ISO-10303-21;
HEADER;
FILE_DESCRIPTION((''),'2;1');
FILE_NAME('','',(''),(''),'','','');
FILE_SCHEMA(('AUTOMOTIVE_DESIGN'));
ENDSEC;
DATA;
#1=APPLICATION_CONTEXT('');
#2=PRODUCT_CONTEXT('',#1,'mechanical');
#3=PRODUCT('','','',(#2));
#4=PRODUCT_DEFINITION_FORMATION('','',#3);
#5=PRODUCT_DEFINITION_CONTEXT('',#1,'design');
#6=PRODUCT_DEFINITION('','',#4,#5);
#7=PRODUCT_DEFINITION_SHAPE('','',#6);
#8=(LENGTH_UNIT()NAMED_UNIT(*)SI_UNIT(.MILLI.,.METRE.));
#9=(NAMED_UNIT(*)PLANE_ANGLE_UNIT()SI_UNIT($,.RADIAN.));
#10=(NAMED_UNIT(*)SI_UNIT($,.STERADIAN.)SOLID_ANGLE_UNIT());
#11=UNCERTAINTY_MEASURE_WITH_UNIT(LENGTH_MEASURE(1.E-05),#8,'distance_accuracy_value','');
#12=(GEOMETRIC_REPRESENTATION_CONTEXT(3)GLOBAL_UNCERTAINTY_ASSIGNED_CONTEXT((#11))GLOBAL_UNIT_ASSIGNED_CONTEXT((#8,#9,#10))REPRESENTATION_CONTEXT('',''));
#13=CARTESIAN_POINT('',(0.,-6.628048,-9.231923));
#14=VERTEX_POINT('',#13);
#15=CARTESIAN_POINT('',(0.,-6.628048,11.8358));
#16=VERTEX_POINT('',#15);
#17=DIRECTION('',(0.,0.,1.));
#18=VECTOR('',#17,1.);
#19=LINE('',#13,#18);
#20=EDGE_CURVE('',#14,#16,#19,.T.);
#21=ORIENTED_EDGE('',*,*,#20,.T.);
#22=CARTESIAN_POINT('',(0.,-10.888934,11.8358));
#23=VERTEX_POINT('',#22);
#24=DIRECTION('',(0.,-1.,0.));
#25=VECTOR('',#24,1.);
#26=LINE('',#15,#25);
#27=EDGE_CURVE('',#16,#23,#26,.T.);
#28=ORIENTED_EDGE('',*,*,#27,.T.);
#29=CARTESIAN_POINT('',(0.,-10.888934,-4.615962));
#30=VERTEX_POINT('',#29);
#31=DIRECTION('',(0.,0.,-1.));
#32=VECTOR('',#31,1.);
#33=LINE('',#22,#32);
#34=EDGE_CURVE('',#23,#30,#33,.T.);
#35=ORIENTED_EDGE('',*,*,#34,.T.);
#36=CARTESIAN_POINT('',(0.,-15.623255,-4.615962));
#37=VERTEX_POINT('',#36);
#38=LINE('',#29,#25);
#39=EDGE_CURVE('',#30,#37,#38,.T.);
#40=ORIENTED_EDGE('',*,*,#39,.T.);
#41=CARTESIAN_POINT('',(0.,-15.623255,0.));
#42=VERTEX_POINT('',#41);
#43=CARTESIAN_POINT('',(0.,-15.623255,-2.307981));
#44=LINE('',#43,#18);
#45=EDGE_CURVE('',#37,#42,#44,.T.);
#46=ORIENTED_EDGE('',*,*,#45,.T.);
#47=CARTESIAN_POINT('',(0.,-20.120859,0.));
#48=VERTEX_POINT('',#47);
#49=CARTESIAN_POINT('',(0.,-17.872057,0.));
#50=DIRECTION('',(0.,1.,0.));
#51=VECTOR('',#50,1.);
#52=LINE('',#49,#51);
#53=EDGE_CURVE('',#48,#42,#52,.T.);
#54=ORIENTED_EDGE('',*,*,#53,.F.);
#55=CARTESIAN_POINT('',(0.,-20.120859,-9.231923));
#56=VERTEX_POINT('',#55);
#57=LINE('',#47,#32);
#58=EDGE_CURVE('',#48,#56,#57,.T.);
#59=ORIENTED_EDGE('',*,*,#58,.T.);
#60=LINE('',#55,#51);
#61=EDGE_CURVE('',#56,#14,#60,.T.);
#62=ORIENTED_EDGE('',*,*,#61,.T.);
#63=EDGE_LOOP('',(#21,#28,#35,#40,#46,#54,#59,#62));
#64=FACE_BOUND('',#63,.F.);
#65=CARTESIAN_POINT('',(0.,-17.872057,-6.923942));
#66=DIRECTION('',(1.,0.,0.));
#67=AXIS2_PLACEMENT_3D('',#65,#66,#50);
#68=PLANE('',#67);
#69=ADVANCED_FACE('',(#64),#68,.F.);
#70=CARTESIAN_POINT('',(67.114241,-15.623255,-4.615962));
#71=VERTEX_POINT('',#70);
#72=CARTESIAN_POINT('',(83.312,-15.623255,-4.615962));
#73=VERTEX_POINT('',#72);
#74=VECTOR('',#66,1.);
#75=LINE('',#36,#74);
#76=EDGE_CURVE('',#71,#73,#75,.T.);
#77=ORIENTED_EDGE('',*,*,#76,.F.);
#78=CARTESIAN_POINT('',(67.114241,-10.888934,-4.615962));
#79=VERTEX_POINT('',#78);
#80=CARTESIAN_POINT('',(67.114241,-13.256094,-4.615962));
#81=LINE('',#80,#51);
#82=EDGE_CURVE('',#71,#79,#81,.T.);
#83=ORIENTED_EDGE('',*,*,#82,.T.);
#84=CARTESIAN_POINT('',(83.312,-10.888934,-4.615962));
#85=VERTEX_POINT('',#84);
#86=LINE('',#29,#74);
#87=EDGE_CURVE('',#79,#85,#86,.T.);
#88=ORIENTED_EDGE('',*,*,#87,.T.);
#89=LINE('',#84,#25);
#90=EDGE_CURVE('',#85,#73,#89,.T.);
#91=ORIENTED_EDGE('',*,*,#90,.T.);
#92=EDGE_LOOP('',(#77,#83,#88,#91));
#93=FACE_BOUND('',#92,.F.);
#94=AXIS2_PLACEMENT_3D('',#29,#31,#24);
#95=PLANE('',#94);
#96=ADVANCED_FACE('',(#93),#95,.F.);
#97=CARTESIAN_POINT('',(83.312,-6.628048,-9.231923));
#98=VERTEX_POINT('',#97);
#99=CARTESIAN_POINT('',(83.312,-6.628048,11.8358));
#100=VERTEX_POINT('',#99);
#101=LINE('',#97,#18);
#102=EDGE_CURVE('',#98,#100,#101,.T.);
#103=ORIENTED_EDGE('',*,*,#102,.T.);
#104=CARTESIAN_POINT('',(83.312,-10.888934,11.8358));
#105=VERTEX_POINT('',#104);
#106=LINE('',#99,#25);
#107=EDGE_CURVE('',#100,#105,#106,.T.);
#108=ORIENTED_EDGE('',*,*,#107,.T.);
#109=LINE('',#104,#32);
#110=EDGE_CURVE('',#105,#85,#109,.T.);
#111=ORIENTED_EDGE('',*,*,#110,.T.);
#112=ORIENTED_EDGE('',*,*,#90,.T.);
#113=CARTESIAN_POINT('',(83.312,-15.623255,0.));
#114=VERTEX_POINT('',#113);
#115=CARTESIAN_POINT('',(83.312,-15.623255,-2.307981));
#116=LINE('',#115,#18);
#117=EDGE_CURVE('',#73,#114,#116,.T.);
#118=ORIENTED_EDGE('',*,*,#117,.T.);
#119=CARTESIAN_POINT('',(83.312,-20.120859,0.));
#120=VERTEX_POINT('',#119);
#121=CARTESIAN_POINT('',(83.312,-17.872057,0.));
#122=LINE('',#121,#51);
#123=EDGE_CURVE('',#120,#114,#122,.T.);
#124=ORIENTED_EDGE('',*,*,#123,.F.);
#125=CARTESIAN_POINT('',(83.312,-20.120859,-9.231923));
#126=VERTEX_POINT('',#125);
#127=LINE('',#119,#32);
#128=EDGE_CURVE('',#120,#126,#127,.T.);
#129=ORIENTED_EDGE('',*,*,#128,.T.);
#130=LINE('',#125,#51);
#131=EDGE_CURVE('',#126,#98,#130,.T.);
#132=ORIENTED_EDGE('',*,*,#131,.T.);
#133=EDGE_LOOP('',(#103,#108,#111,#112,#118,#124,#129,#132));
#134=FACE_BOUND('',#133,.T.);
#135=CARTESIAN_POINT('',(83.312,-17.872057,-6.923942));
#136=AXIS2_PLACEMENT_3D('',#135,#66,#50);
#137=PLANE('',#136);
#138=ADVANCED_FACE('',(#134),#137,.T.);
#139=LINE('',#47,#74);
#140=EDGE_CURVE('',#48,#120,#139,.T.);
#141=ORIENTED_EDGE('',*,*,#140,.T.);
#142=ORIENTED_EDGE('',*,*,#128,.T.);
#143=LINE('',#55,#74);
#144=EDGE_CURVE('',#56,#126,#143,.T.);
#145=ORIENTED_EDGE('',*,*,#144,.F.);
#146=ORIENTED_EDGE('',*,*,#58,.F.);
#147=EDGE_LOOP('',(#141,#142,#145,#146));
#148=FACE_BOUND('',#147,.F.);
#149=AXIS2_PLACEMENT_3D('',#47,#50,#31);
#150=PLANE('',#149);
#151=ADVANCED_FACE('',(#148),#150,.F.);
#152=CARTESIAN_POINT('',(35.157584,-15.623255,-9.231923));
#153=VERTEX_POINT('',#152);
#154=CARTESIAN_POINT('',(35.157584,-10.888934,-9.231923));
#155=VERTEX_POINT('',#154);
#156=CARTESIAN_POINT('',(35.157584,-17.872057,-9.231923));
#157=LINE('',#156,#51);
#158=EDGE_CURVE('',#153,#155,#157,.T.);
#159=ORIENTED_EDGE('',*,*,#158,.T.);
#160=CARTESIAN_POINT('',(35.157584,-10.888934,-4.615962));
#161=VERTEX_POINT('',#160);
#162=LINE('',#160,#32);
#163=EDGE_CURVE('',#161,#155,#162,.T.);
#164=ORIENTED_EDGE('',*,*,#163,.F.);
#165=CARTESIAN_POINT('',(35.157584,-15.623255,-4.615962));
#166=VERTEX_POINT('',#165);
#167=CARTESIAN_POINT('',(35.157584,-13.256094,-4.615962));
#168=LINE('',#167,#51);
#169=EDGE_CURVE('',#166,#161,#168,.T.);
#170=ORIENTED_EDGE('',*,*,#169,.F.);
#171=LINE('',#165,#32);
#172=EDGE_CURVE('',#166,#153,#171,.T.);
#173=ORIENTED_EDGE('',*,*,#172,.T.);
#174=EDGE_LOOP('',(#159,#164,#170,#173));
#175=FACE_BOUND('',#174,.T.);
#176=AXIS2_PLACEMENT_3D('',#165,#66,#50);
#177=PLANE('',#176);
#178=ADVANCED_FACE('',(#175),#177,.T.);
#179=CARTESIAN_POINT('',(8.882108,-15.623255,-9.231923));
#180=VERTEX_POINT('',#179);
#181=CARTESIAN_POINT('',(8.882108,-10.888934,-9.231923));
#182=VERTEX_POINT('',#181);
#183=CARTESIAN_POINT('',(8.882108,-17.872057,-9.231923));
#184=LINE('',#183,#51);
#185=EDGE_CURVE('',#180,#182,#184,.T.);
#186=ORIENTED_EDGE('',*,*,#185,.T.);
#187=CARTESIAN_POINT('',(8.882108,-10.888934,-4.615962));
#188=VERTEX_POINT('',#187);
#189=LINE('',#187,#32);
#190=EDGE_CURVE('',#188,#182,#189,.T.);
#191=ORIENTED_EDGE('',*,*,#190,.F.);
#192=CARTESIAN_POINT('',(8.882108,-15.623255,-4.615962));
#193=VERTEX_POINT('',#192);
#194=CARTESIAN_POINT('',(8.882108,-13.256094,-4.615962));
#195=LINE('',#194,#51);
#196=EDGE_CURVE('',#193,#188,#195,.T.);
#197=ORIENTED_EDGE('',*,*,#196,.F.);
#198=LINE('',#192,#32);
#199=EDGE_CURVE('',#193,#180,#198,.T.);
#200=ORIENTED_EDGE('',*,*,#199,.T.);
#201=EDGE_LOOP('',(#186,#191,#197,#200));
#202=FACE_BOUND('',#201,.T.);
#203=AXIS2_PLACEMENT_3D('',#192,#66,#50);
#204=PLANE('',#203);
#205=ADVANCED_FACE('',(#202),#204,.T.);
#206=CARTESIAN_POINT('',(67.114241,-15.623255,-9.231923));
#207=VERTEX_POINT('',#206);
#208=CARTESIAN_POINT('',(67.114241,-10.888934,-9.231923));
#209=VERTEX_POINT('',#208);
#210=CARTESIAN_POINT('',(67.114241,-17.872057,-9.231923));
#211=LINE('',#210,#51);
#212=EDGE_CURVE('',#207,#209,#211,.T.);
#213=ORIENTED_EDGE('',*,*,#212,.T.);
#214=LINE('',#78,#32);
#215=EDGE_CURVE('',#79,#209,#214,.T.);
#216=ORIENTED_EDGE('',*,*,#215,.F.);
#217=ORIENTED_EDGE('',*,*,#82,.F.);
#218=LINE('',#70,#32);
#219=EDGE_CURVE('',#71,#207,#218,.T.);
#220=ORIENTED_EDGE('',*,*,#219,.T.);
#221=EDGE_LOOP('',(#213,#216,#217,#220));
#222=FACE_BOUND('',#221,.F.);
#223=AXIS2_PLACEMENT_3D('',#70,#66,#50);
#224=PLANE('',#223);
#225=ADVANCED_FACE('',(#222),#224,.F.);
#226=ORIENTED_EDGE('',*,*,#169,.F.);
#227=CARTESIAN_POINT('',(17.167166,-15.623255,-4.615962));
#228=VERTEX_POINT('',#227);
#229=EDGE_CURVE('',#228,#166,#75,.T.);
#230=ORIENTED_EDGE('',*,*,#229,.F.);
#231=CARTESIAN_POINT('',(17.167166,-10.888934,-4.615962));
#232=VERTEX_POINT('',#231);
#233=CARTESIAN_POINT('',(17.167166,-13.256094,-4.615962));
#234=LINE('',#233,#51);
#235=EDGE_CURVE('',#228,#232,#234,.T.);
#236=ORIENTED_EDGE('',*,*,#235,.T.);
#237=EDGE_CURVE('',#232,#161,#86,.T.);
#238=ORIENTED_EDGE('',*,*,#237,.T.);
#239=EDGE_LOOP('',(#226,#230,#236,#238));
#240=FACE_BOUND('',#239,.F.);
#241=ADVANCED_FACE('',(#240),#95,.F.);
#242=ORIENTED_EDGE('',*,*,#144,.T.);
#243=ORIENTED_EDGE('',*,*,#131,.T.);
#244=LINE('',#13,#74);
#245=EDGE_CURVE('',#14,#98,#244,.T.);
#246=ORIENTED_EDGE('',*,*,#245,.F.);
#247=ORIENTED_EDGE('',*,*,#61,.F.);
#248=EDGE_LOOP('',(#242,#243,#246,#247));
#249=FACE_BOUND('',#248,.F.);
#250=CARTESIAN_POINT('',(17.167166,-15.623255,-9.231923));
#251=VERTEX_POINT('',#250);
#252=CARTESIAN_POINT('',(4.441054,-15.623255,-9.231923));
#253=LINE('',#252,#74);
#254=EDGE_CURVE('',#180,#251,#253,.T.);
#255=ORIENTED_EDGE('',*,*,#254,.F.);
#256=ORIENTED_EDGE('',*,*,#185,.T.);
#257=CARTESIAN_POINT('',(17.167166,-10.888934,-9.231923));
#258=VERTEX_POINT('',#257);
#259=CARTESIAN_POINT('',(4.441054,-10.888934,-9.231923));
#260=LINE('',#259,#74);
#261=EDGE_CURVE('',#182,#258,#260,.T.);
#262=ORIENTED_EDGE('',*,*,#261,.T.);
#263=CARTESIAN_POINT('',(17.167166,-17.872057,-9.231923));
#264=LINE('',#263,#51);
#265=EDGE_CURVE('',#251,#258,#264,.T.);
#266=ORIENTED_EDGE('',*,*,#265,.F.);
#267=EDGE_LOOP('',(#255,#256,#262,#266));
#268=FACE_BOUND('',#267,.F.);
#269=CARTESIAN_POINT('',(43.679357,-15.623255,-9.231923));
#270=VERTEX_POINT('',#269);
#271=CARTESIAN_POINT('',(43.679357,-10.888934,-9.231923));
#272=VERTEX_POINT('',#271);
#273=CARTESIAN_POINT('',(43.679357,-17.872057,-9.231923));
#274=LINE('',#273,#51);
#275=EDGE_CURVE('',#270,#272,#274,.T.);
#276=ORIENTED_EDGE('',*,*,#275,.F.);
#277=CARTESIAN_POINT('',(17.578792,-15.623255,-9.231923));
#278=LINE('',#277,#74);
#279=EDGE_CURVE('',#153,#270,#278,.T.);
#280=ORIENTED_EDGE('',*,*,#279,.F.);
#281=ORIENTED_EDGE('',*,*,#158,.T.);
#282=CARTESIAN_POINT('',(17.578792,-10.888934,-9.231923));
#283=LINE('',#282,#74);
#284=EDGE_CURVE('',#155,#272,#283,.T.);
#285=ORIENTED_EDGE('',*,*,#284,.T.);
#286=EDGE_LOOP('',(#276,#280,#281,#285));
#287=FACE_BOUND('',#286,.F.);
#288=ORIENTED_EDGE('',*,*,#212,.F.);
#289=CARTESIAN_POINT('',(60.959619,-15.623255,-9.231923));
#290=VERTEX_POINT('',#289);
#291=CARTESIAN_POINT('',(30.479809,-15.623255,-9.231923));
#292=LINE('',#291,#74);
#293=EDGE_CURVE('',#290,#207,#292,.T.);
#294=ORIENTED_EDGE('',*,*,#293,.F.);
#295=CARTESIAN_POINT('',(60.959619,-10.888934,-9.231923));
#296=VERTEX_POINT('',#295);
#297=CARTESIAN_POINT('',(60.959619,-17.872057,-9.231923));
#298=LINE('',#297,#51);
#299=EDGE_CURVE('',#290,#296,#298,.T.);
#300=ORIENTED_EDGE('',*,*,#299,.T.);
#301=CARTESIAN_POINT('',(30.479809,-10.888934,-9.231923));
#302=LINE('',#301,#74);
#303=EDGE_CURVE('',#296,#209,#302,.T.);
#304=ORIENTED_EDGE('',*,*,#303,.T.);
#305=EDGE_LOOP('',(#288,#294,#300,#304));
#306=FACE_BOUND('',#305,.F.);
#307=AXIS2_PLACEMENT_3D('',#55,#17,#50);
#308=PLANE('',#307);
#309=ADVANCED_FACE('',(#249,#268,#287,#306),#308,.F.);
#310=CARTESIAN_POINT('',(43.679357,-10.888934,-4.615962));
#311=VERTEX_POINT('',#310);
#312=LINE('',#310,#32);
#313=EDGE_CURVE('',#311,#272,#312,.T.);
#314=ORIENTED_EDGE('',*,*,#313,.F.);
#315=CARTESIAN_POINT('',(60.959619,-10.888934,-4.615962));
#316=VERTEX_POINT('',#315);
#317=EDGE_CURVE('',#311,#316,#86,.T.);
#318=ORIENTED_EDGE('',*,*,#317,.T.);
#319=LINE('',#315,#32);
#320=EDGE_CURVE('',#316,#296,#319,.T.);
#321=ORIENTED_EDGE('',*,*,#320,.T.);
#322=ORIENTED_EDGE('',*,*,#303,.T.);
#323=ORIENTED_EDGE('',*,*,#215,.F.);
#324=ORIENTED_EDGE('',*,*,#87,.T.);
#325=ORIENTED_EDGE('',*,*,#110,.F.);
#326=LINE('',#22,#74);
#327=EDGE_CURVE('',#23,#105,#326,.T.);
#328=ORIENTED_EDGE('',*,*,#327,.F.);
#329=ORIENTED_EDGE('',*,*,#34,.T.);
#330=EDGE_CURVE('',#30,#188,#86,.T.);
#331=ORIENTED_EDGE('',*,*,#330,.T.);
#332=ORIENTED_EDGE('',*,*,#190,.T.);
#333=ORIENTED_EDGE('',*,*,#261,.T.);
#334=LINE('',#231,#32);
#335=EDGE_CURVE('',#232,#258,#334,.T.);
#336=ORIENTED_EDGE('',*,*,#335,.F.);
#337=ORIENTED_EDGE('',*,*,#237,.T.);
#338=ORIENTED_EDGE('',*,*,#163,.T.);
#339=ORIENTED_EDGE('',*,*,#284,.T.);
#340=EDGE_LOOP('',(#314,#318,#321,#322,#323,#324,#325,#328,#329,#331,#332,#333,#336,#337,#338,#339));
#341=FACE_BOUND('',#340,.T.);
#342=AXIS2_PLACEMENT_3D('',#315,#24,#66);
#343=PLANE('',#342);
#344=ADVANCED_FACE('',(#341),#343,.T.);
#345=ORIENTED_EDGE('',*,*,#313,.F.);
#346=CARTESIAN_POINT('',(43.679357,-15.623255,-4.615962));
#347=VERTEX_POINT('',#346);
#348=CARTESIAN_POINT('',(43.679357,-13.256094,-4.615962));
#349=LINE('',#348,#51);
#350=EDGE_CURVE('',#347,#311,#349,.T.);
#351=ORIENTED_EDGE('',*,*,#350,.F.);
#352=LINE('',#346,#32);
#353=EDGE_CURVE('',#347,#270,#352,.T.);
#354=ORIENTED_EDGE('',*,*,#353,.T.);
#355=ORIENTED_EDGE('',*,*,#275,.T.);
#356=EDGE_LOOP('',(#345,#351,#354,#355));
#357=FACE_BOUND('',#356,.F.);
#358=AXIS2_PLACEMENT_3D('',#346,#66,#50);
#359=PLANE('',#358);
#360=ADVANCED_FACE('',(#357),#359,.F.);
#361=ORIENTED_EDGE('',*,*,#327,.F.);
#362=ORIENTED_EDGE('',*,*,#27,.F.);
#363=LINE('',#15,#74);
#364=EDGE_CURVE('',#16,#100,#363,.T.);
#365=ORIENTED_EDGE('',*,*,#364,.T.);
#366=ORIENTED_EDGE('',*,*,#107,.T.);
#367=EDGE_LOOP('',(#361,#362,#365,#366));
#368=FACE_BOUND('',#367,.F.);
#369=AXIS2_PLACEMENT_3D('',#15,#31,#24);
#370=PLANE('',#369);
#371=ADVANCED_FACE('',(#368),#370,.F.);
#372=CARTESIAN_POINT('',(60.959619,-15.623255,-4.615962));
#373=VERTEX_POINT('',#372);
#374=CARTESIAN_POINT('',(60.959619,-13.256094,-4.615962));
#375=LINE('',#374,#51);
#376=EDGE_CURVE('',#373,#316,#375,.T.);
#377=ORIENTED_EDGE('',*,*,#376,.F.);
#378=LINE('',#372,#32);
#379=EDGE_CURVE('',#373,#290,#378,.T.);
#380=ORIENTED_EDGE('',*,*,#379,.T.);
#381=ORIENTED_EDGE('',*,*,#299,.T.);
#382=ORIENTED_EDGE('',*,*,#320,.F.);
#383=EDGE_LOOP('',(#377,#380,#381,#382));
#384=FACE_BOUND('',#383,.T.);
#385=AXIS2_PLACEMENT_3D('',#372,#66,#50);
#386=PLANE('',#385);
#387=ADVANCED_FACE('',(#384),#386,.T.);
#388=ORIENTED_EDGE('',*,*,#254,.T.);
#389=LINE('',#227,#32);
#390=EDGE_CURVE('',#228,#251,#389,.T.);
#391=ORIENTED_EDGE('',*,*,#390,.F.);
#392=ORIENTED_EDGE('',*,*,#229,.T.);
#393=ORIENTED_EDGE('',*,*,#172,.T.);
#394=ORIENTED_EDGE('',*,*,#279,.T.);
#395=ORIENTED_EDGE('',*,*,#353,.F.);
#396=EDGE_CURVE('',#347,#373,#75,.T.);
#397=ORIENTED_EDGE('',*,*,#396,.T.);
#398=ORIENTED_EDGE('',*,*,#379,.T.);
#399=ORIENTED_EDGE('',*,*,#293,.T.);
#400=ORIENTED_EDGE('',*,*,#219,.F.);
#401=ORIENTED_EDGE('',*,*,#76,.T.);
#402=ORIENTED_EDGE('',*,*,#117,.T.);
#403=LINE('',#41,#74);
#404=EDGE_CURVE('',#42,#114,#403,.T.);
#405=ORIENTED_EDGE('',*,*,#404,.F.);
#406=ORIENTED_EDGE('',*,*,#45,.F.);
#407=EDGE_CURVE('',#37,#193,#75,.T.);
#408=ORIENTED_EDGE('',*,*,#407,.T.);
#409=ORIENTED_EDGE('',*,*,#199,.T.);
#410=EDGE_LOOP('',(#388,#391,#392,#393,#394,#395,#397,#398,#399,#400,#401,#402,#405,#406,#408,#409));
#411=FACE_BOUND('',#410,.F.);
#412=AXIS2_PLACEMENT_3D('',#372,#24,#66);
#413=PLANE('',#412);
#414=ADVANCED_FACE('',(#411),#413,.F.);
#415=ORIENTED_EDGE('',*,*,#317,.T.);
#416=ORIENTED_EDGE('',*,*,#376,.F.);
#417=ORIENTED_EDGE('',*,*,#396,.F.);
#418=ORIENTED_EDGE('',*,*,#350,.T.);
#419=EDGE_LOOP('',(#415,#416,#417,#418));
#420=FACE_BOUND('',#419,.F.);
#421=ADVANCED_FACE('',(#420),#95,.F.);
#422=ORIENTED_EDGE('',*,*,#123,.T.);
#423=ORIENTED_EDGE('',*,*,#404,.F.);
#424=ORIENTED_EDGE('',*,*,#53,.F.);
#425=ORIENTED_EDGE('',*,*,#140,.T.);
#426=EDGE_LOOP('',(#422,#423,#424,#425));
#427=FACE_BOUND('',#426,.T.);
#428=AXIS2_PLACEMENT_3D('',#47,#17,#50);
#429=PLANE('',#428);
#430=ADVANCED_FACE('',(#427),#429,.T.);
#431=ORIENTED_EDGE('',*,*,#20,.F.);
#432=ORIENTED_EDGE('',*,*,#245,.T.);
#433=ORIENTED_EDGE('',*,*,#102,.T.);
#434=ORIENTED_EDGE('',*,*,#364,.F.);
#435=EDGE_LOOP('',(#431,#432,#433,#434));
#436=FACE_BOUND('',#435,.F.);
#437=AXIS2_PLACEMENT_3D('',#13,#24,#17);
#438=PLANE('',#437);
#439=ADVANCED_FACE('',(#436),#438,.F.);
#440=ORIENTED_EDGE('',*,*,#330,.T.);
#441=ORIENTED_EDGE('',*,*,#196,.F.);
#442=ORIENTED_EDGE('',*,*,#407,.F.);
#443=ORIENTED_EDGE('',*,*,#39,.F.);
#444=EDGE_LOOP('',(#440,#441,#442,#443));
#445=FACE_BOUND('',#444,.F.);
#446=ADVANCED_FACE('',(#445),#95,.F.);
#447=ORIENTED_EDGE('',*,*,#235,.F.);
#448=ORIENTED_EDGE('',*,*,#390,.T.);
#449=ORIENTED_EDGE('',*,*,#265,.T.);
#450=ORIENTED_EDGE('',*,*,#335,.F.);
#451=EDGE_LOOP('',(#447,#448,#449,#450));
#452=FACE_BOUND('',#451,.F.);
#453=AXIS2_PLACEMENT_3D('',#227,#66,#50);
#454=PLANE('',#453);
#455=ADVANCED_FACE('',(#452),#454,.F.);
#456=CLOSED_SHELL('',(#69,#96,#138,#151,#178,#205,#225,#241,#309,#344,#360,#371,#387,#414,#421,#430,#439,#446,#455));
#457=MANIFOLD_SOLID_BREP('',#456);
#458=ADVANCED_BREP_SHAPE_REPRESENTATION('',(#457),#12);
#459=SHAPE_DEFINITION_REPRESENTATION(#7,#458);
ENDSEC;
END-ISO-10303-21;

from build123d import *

# Parameters (mm, degrees)
F0_W     = 4.4976044446
F0_H     = 4.615961574
F0_W_2   = 4.7343205661
F1_DEPTH = 83.312
F2_W     = 8.285057731
F2_H     = 4.7343205661
F2_W_2   = 8.5217729211
F2_W_3   = 6.1546228826
F3_DEPTH = 27.94


with BuildPart() as f1:
    # F0 (on Right) → F1 (new body)
    with BuildSketch(Plane.YZ):
        with Locations((-17.8720569238, -6.923942361)):
            Rectangle(F0_W, F0_H)
        with Locations((-13.2560944185, -6.923942361)):
            Rectangle(F0_W_2, F0_H)
        with Locations((-17.8720569238, -2.307980787)):
            Rectangle(F0_W, F0_H)
        Polygon((-10.8889341354, -4.615961574), (-10.8889341354, -9.231923148), (-6.6280476749, -9.231923148), (-6.6280476749, 11.8357995525), (-10.8889341354, 11.8357995525), align=None)
    extrude(amount=F1_DEPTH)

    # F2 (on face) → F3 (cut)
    with BuildSketch(Plane.XY.offset(-4.615961574)):
        with Locations((13.0246370099, -13.2560944185)):
            Rectangle(F2_W, F2_H)
        with Locations((39.4184701145, -13.2560944185)):
            Rectangle(F2_W_2, F2_H)
        with Locations((64.0369299799, -13.2560944185)):
            Rectangle(F2_W_3, F2_H)
    extrude(amount=-F3_DEPTH, mode=Mode.SUBTRACT)


solid = f1.part
